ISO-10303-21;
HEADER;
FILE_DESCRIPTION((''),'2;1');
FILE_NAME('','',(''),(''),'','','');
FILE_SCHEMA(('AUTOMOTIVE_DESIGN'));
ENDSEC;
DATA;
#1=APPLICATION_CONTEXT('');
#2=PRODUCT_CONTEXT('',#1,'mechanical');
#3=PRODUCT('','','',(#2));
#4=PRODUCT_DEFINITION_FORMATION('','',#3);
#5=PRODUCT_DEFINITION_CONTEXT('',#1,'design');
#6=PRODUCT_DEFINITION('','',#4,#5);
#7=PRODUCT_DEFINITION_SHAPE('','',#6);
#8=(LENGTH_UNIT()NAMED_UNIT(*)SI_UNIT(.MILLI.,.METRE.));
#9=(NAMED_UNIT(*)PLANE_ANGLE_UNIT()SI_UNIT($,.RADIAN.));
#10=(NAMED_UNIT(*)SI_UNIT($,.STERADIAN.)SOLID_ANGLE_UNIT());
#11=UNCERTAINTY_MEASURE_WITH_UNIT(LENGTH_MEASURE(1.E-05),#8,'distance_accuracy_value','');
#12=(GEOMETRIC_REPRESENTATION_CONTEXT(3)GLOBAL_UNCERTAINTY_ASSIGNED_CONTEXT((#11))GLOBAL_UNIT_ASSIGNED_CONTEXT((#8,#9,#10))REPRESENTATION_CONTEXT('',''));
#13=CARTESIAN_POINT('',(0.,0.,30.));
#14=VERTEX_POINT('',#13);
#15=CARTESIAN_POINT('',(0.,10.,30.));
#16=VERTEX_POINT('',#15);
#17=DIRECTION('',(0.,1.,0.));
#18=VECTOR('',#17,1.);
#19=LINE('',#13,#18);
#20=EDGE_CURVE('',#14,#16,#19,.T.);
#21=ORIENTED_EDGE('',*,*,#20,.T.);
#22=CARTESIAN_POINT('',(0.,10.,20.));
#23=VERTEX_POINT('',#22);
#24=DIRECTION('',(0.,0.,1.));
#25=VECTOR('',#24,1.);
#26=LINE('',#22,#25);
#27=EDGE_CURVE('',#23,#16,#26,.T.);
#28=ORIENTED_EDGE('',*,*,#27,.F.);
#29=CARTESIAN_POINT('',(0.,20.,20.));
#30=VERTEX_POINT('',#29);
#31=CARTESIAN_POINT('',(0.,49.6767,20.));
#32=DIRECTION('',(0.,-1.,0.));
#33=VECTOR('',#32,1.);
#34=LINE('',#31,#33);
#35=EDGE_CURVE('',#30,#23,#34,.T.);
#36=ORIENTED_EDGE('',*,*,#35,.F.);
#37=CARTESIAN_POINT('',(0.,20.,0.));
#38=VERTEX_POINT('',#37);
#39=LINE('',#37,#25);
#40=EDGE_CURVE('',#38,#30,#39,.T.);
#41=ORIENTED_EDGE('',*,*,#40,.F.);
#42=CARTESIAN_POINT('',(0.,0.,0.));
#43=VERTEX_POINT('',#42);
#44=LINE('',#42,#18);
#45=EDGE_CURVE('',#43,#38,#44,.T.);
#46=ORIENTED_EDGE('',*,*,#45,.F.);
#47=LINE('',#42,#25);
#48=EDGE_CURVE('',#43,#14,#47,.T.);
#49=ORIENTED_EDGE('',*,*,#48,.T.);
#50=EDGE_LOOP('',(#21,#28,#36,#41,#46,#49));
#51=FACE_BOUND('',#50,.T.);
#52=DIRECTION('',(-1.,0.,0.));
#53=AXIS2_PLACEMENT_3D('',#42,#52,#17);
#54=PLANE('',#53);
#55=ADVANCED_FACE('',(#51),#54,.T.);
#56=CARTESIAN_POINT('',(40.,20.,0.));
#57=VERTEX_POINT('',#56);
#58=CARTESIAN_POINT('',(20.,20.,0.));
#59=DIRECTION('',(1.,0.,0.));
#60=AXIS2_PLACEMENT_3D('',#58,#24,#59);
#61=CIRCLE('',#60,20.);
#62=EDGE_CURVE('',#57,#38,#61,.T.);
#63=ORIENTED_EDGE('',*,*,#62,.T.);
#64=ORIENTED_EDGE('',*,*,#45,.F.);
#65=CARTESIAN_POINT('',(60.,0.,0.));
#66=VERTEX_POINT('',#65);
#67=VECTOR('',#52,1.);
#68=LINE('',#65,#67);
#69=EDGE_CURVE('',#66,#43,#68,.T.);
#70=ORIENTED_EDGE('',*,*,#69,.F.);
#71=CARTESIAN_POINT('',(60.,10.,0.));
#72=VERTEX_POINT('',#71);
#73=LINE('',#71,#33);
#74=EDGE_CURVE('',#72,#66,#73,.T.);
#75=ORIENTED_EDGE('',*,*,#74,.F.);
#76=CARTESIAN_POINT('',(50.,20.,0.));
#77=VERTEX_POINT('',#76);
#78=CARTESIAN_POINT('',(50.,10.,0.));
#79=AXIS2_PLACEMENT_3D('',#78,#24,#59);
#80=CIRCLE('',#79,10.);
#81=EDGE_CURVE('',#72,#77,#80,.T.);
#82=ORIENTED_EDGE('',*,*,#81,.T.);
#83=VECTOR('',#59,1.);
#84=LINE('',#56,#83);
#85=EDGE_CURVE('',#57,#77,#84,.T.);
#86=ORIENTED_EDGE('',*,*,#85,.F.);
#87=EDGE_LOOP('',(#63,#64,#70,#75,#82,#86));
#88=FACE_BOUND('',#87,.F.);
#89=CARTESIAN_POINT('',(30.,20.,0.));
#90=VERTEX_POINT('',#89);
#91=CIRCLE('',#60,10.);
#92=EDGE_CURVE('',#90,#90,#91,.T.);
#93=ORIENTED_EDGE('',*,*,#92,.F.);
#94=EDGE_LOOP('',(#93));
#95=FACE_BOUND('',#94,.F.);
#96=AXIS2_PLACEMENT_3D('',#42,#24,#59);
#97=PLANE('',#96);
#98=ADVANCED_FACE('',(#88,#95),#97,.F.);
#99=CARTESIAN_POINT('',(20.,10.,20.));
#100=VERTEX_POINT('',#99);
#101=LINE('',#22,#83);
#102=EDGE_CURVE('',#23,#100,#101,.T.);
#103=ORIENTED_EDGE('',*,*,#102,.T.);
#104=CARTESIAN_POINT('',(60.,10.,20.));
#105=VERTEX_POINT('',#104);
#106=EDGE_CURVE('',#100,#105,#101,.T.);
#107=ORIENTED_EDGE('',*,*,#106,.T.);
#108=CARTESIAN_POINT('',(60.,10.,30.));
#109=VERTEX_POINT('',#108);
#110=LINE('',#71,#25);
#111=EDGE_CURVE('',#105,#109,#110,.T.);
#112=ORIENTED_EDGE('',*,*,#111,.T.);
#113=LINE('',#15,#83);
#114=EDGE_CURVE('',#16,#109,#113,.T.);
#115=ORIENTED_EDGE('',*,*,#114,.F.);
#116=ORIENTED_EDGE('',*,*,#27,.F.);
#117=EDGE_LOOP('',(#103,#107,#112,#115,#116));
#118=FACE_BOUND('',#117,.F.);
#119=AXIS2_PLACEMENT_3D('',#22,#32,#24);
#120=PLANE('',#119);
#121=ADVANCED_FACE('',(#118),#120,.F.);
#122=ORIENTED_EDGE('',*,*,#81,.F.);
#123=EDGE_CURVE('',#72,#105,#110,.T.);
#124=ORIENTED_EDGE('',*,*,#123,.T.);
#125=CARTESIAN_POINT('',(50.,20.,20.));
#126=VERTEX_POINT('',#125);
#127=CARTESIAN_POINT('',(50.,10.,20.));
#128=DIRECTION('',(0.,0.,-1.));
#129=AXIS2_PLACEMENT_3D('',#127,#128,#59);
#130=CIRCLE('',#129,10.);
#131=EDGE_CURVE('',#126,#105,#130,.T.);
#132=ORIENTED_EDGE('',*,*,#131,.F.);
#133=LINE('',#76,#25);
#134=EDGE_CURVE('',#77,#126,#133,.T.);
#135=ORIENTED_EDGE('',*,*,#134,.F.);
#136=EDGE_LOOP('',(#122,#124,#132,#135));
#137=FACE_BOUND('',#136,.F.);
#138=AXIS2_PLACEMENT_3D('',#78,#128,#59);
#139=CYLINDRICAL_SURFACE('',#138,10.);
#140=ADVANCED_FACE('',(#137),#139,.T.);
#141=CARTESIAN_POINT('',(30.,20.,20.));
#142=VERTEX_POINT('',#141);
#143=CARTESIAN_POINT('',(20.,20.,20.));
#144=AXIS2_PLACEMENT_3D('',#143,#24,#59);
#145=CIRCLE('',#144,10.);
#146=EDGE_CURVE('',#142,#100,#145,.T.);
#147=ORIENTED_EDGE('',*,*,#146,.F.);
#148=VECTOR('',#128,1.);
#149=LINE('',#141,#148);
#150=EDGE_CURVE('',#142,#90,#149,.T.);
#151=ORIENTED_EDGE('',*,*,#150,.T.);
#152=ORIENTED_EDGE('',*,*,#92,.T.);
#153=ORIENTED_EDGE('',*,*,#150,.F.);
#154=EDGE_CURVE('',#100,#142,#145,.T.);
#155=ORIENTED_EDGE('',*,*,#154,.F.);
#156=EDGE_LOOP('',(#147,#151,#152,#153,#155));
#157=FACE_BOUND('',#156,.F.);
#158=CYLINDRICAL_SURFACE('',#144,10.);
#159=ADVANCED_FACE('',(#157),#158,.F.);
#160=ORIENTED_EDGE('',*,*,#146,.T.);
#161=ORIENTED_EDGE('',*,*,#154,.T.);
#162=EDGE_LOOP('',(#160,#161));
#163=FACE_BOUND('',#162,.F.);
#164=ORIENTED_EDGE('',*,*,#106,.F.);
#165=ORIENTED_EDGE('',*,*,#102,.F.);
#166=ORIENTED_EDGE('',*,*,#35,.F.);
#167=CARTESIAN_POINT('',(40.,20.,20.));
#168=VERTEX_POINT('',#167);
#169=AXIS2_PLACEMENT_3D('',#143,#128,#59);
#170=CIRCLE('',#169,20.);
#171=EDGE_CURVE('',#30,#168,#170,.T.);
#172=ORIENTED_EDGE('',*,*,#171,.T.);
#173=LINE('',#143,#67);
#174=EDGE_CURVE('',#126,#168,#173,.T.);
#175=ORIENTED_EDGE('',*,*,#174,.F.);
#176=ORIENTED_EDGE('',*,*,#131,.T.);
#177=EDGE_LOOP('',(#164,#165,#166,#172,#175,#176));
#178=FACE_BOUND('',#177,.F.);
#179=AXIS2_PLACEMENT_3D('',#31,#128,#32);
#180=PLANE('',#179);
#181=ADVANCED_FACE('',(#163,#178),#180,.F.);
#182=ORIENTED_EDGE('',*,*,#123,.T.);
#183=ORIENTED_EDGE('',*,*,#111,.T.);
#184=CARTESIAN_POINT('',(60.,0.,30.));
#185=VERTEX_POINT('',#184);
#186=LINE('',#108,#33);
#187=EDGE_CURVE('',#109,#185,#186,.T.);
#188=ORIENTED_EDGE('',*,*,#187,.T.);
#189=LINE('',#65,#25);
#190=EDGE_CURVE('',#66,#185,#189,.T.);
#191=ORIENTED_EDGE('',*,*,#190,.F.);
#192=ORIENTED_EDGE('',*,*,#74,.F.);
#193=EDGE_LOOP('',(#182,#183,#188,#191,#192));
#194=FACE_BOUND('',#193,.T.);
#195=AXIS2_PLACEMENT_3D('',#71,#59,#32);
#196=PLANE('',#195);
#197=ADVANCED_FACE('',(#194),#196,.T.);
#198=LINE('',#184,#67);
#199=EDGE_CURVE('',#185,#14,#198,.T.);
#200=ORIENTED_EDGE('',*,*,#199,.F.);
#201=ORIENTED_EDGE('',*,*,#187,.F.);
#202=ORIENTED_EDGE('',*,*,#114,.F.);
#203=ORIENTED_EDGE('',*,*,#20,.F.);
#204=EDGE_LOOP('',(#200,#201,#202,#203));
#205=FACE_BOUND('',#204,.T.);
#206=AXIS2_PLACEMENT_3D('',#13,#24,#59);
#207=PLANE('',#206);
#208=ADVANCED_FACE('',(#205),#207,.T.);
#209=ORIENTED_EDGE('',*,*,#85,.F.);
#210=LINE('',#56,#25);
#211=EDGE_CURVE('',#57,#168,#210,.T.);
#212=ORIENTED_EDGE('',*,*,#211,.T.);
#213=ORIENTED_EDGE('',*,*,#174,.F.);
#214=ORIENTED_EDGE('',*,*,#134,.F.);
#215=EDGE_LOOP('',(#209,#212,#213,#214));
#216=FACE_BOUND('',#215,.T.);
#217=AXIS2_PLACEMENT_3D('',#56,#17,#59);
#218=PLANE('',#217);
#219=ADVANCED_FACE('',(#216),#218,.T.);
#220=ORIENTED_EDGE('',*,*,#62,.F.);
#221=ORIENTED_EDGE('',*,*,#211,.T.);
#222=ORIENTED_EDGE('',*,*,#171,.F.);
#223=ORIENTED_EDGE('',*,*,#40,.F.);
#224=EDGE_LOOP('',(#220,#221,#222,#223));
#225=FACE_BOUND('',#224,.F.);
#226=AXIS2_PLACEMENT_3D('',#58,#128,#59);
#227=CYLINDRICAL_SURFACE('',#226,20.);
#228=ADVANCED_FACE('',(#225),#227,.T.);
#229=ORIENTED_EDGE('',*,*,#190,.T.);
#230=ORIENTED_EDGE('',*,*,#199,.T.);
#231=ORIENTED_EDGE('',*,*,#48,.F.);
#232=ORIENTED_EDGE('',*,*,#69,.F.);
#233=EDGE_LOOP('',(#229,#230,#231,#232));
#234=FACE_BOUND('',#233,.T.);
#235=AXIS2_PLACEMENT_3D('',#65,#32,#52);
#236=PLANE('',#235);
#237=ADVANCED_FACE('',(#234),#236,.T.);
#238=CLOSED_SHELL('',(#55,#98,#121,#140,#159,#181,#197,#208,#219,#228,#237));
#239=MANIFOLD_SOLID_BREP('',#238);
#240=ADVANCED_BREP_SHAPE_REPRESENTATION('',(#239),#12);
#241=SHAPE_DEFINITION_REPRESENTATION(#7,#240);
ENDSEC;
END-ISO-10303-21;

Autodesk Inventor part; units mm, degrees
ref_plane "YZ Plane" through (0, 0, 0) normal (1, 0, 0) x (0, 1, 0)
ref_plane "XZ Plane" through (0, 0, 0) normal (0, 1, 0) x (-1, 0, 0)
ref_plane "XY Plane" through (0, 0, 0) normal (0, 0, 1) x (1, 0, 0)
sketch "草圖1" plane through (0, 0, 0) normal (0, 0, 1) x (1, 0, 0)
  line L0 (0, 0) -> (0, 20)
  arc A0 (40, 20) -> (0, 20) centre (20, 20) ccw
  line L1 (40, 20) -> (50, 20)
  arc A1 (60, 10) -> (50, 20) centre (50, 10) ccw
  line L2 (60, 10) -> (60, 0)
  line L3 (60, 0) -> (0, 0)
  dimension "d0" = 20
  dimension "d1" = 10
  dimension "d2" = 60
  dimension "d3" = 20
  dimension "d4" = 20
extrude "擠出1" add sketch "草圖1" along normal blind 30
sketch "草圖2" plane through (0, 0, 0) normal (1, 0, 0) x (0, 1, 0)
  line L0 (49.6767, 20) -> (10, 20)
  line L1 (10, 20) -> (10, 40.4278)
  line L2 (10, 40.4278) -> (49.6767, 40.4278)
  line L3 (49.6767, 40.4278) -> (49.6767, 20)
  line L4 (0, 0) -> (0, 30) projected
  line L5 (20, 30) -> (0, 30) projected
  dimension "d7" = 10
  dimension "d8" = 10
extrude "擠出2" cut sketch "草圖2" along normal blind 74.5
sketch "草圖3" plane through (20, 20, 20) normal (0, 0, 1) x (1, 0, 0)
  line L0 (-20, -10) -> (40, -10) projected
  arc A0 (40, -10) -> (30, 0) centre (30, -10) ccw projected
  line L1 (20, 0) -> (30, 0) projected
  arc A1 (20, 0) -> (-20, 0) centre (0, 0) ccw projected
  line L2 (-20, -10) -> (-20, 0) projected
  line L3 (-20, -20) -> (-20, -10) projected
  line L4 (40, -20) -> (-20, -20) projected
  line L5 (40, -10) -> (40, -20) projected
  circle A2 centre (0, 0) radius 10
  dimension "d11" = 20
extrude "擠出3" cut sketch "草圖3" against normal through all contours A2
properties part number "4" material "鋼、碳鋼"
